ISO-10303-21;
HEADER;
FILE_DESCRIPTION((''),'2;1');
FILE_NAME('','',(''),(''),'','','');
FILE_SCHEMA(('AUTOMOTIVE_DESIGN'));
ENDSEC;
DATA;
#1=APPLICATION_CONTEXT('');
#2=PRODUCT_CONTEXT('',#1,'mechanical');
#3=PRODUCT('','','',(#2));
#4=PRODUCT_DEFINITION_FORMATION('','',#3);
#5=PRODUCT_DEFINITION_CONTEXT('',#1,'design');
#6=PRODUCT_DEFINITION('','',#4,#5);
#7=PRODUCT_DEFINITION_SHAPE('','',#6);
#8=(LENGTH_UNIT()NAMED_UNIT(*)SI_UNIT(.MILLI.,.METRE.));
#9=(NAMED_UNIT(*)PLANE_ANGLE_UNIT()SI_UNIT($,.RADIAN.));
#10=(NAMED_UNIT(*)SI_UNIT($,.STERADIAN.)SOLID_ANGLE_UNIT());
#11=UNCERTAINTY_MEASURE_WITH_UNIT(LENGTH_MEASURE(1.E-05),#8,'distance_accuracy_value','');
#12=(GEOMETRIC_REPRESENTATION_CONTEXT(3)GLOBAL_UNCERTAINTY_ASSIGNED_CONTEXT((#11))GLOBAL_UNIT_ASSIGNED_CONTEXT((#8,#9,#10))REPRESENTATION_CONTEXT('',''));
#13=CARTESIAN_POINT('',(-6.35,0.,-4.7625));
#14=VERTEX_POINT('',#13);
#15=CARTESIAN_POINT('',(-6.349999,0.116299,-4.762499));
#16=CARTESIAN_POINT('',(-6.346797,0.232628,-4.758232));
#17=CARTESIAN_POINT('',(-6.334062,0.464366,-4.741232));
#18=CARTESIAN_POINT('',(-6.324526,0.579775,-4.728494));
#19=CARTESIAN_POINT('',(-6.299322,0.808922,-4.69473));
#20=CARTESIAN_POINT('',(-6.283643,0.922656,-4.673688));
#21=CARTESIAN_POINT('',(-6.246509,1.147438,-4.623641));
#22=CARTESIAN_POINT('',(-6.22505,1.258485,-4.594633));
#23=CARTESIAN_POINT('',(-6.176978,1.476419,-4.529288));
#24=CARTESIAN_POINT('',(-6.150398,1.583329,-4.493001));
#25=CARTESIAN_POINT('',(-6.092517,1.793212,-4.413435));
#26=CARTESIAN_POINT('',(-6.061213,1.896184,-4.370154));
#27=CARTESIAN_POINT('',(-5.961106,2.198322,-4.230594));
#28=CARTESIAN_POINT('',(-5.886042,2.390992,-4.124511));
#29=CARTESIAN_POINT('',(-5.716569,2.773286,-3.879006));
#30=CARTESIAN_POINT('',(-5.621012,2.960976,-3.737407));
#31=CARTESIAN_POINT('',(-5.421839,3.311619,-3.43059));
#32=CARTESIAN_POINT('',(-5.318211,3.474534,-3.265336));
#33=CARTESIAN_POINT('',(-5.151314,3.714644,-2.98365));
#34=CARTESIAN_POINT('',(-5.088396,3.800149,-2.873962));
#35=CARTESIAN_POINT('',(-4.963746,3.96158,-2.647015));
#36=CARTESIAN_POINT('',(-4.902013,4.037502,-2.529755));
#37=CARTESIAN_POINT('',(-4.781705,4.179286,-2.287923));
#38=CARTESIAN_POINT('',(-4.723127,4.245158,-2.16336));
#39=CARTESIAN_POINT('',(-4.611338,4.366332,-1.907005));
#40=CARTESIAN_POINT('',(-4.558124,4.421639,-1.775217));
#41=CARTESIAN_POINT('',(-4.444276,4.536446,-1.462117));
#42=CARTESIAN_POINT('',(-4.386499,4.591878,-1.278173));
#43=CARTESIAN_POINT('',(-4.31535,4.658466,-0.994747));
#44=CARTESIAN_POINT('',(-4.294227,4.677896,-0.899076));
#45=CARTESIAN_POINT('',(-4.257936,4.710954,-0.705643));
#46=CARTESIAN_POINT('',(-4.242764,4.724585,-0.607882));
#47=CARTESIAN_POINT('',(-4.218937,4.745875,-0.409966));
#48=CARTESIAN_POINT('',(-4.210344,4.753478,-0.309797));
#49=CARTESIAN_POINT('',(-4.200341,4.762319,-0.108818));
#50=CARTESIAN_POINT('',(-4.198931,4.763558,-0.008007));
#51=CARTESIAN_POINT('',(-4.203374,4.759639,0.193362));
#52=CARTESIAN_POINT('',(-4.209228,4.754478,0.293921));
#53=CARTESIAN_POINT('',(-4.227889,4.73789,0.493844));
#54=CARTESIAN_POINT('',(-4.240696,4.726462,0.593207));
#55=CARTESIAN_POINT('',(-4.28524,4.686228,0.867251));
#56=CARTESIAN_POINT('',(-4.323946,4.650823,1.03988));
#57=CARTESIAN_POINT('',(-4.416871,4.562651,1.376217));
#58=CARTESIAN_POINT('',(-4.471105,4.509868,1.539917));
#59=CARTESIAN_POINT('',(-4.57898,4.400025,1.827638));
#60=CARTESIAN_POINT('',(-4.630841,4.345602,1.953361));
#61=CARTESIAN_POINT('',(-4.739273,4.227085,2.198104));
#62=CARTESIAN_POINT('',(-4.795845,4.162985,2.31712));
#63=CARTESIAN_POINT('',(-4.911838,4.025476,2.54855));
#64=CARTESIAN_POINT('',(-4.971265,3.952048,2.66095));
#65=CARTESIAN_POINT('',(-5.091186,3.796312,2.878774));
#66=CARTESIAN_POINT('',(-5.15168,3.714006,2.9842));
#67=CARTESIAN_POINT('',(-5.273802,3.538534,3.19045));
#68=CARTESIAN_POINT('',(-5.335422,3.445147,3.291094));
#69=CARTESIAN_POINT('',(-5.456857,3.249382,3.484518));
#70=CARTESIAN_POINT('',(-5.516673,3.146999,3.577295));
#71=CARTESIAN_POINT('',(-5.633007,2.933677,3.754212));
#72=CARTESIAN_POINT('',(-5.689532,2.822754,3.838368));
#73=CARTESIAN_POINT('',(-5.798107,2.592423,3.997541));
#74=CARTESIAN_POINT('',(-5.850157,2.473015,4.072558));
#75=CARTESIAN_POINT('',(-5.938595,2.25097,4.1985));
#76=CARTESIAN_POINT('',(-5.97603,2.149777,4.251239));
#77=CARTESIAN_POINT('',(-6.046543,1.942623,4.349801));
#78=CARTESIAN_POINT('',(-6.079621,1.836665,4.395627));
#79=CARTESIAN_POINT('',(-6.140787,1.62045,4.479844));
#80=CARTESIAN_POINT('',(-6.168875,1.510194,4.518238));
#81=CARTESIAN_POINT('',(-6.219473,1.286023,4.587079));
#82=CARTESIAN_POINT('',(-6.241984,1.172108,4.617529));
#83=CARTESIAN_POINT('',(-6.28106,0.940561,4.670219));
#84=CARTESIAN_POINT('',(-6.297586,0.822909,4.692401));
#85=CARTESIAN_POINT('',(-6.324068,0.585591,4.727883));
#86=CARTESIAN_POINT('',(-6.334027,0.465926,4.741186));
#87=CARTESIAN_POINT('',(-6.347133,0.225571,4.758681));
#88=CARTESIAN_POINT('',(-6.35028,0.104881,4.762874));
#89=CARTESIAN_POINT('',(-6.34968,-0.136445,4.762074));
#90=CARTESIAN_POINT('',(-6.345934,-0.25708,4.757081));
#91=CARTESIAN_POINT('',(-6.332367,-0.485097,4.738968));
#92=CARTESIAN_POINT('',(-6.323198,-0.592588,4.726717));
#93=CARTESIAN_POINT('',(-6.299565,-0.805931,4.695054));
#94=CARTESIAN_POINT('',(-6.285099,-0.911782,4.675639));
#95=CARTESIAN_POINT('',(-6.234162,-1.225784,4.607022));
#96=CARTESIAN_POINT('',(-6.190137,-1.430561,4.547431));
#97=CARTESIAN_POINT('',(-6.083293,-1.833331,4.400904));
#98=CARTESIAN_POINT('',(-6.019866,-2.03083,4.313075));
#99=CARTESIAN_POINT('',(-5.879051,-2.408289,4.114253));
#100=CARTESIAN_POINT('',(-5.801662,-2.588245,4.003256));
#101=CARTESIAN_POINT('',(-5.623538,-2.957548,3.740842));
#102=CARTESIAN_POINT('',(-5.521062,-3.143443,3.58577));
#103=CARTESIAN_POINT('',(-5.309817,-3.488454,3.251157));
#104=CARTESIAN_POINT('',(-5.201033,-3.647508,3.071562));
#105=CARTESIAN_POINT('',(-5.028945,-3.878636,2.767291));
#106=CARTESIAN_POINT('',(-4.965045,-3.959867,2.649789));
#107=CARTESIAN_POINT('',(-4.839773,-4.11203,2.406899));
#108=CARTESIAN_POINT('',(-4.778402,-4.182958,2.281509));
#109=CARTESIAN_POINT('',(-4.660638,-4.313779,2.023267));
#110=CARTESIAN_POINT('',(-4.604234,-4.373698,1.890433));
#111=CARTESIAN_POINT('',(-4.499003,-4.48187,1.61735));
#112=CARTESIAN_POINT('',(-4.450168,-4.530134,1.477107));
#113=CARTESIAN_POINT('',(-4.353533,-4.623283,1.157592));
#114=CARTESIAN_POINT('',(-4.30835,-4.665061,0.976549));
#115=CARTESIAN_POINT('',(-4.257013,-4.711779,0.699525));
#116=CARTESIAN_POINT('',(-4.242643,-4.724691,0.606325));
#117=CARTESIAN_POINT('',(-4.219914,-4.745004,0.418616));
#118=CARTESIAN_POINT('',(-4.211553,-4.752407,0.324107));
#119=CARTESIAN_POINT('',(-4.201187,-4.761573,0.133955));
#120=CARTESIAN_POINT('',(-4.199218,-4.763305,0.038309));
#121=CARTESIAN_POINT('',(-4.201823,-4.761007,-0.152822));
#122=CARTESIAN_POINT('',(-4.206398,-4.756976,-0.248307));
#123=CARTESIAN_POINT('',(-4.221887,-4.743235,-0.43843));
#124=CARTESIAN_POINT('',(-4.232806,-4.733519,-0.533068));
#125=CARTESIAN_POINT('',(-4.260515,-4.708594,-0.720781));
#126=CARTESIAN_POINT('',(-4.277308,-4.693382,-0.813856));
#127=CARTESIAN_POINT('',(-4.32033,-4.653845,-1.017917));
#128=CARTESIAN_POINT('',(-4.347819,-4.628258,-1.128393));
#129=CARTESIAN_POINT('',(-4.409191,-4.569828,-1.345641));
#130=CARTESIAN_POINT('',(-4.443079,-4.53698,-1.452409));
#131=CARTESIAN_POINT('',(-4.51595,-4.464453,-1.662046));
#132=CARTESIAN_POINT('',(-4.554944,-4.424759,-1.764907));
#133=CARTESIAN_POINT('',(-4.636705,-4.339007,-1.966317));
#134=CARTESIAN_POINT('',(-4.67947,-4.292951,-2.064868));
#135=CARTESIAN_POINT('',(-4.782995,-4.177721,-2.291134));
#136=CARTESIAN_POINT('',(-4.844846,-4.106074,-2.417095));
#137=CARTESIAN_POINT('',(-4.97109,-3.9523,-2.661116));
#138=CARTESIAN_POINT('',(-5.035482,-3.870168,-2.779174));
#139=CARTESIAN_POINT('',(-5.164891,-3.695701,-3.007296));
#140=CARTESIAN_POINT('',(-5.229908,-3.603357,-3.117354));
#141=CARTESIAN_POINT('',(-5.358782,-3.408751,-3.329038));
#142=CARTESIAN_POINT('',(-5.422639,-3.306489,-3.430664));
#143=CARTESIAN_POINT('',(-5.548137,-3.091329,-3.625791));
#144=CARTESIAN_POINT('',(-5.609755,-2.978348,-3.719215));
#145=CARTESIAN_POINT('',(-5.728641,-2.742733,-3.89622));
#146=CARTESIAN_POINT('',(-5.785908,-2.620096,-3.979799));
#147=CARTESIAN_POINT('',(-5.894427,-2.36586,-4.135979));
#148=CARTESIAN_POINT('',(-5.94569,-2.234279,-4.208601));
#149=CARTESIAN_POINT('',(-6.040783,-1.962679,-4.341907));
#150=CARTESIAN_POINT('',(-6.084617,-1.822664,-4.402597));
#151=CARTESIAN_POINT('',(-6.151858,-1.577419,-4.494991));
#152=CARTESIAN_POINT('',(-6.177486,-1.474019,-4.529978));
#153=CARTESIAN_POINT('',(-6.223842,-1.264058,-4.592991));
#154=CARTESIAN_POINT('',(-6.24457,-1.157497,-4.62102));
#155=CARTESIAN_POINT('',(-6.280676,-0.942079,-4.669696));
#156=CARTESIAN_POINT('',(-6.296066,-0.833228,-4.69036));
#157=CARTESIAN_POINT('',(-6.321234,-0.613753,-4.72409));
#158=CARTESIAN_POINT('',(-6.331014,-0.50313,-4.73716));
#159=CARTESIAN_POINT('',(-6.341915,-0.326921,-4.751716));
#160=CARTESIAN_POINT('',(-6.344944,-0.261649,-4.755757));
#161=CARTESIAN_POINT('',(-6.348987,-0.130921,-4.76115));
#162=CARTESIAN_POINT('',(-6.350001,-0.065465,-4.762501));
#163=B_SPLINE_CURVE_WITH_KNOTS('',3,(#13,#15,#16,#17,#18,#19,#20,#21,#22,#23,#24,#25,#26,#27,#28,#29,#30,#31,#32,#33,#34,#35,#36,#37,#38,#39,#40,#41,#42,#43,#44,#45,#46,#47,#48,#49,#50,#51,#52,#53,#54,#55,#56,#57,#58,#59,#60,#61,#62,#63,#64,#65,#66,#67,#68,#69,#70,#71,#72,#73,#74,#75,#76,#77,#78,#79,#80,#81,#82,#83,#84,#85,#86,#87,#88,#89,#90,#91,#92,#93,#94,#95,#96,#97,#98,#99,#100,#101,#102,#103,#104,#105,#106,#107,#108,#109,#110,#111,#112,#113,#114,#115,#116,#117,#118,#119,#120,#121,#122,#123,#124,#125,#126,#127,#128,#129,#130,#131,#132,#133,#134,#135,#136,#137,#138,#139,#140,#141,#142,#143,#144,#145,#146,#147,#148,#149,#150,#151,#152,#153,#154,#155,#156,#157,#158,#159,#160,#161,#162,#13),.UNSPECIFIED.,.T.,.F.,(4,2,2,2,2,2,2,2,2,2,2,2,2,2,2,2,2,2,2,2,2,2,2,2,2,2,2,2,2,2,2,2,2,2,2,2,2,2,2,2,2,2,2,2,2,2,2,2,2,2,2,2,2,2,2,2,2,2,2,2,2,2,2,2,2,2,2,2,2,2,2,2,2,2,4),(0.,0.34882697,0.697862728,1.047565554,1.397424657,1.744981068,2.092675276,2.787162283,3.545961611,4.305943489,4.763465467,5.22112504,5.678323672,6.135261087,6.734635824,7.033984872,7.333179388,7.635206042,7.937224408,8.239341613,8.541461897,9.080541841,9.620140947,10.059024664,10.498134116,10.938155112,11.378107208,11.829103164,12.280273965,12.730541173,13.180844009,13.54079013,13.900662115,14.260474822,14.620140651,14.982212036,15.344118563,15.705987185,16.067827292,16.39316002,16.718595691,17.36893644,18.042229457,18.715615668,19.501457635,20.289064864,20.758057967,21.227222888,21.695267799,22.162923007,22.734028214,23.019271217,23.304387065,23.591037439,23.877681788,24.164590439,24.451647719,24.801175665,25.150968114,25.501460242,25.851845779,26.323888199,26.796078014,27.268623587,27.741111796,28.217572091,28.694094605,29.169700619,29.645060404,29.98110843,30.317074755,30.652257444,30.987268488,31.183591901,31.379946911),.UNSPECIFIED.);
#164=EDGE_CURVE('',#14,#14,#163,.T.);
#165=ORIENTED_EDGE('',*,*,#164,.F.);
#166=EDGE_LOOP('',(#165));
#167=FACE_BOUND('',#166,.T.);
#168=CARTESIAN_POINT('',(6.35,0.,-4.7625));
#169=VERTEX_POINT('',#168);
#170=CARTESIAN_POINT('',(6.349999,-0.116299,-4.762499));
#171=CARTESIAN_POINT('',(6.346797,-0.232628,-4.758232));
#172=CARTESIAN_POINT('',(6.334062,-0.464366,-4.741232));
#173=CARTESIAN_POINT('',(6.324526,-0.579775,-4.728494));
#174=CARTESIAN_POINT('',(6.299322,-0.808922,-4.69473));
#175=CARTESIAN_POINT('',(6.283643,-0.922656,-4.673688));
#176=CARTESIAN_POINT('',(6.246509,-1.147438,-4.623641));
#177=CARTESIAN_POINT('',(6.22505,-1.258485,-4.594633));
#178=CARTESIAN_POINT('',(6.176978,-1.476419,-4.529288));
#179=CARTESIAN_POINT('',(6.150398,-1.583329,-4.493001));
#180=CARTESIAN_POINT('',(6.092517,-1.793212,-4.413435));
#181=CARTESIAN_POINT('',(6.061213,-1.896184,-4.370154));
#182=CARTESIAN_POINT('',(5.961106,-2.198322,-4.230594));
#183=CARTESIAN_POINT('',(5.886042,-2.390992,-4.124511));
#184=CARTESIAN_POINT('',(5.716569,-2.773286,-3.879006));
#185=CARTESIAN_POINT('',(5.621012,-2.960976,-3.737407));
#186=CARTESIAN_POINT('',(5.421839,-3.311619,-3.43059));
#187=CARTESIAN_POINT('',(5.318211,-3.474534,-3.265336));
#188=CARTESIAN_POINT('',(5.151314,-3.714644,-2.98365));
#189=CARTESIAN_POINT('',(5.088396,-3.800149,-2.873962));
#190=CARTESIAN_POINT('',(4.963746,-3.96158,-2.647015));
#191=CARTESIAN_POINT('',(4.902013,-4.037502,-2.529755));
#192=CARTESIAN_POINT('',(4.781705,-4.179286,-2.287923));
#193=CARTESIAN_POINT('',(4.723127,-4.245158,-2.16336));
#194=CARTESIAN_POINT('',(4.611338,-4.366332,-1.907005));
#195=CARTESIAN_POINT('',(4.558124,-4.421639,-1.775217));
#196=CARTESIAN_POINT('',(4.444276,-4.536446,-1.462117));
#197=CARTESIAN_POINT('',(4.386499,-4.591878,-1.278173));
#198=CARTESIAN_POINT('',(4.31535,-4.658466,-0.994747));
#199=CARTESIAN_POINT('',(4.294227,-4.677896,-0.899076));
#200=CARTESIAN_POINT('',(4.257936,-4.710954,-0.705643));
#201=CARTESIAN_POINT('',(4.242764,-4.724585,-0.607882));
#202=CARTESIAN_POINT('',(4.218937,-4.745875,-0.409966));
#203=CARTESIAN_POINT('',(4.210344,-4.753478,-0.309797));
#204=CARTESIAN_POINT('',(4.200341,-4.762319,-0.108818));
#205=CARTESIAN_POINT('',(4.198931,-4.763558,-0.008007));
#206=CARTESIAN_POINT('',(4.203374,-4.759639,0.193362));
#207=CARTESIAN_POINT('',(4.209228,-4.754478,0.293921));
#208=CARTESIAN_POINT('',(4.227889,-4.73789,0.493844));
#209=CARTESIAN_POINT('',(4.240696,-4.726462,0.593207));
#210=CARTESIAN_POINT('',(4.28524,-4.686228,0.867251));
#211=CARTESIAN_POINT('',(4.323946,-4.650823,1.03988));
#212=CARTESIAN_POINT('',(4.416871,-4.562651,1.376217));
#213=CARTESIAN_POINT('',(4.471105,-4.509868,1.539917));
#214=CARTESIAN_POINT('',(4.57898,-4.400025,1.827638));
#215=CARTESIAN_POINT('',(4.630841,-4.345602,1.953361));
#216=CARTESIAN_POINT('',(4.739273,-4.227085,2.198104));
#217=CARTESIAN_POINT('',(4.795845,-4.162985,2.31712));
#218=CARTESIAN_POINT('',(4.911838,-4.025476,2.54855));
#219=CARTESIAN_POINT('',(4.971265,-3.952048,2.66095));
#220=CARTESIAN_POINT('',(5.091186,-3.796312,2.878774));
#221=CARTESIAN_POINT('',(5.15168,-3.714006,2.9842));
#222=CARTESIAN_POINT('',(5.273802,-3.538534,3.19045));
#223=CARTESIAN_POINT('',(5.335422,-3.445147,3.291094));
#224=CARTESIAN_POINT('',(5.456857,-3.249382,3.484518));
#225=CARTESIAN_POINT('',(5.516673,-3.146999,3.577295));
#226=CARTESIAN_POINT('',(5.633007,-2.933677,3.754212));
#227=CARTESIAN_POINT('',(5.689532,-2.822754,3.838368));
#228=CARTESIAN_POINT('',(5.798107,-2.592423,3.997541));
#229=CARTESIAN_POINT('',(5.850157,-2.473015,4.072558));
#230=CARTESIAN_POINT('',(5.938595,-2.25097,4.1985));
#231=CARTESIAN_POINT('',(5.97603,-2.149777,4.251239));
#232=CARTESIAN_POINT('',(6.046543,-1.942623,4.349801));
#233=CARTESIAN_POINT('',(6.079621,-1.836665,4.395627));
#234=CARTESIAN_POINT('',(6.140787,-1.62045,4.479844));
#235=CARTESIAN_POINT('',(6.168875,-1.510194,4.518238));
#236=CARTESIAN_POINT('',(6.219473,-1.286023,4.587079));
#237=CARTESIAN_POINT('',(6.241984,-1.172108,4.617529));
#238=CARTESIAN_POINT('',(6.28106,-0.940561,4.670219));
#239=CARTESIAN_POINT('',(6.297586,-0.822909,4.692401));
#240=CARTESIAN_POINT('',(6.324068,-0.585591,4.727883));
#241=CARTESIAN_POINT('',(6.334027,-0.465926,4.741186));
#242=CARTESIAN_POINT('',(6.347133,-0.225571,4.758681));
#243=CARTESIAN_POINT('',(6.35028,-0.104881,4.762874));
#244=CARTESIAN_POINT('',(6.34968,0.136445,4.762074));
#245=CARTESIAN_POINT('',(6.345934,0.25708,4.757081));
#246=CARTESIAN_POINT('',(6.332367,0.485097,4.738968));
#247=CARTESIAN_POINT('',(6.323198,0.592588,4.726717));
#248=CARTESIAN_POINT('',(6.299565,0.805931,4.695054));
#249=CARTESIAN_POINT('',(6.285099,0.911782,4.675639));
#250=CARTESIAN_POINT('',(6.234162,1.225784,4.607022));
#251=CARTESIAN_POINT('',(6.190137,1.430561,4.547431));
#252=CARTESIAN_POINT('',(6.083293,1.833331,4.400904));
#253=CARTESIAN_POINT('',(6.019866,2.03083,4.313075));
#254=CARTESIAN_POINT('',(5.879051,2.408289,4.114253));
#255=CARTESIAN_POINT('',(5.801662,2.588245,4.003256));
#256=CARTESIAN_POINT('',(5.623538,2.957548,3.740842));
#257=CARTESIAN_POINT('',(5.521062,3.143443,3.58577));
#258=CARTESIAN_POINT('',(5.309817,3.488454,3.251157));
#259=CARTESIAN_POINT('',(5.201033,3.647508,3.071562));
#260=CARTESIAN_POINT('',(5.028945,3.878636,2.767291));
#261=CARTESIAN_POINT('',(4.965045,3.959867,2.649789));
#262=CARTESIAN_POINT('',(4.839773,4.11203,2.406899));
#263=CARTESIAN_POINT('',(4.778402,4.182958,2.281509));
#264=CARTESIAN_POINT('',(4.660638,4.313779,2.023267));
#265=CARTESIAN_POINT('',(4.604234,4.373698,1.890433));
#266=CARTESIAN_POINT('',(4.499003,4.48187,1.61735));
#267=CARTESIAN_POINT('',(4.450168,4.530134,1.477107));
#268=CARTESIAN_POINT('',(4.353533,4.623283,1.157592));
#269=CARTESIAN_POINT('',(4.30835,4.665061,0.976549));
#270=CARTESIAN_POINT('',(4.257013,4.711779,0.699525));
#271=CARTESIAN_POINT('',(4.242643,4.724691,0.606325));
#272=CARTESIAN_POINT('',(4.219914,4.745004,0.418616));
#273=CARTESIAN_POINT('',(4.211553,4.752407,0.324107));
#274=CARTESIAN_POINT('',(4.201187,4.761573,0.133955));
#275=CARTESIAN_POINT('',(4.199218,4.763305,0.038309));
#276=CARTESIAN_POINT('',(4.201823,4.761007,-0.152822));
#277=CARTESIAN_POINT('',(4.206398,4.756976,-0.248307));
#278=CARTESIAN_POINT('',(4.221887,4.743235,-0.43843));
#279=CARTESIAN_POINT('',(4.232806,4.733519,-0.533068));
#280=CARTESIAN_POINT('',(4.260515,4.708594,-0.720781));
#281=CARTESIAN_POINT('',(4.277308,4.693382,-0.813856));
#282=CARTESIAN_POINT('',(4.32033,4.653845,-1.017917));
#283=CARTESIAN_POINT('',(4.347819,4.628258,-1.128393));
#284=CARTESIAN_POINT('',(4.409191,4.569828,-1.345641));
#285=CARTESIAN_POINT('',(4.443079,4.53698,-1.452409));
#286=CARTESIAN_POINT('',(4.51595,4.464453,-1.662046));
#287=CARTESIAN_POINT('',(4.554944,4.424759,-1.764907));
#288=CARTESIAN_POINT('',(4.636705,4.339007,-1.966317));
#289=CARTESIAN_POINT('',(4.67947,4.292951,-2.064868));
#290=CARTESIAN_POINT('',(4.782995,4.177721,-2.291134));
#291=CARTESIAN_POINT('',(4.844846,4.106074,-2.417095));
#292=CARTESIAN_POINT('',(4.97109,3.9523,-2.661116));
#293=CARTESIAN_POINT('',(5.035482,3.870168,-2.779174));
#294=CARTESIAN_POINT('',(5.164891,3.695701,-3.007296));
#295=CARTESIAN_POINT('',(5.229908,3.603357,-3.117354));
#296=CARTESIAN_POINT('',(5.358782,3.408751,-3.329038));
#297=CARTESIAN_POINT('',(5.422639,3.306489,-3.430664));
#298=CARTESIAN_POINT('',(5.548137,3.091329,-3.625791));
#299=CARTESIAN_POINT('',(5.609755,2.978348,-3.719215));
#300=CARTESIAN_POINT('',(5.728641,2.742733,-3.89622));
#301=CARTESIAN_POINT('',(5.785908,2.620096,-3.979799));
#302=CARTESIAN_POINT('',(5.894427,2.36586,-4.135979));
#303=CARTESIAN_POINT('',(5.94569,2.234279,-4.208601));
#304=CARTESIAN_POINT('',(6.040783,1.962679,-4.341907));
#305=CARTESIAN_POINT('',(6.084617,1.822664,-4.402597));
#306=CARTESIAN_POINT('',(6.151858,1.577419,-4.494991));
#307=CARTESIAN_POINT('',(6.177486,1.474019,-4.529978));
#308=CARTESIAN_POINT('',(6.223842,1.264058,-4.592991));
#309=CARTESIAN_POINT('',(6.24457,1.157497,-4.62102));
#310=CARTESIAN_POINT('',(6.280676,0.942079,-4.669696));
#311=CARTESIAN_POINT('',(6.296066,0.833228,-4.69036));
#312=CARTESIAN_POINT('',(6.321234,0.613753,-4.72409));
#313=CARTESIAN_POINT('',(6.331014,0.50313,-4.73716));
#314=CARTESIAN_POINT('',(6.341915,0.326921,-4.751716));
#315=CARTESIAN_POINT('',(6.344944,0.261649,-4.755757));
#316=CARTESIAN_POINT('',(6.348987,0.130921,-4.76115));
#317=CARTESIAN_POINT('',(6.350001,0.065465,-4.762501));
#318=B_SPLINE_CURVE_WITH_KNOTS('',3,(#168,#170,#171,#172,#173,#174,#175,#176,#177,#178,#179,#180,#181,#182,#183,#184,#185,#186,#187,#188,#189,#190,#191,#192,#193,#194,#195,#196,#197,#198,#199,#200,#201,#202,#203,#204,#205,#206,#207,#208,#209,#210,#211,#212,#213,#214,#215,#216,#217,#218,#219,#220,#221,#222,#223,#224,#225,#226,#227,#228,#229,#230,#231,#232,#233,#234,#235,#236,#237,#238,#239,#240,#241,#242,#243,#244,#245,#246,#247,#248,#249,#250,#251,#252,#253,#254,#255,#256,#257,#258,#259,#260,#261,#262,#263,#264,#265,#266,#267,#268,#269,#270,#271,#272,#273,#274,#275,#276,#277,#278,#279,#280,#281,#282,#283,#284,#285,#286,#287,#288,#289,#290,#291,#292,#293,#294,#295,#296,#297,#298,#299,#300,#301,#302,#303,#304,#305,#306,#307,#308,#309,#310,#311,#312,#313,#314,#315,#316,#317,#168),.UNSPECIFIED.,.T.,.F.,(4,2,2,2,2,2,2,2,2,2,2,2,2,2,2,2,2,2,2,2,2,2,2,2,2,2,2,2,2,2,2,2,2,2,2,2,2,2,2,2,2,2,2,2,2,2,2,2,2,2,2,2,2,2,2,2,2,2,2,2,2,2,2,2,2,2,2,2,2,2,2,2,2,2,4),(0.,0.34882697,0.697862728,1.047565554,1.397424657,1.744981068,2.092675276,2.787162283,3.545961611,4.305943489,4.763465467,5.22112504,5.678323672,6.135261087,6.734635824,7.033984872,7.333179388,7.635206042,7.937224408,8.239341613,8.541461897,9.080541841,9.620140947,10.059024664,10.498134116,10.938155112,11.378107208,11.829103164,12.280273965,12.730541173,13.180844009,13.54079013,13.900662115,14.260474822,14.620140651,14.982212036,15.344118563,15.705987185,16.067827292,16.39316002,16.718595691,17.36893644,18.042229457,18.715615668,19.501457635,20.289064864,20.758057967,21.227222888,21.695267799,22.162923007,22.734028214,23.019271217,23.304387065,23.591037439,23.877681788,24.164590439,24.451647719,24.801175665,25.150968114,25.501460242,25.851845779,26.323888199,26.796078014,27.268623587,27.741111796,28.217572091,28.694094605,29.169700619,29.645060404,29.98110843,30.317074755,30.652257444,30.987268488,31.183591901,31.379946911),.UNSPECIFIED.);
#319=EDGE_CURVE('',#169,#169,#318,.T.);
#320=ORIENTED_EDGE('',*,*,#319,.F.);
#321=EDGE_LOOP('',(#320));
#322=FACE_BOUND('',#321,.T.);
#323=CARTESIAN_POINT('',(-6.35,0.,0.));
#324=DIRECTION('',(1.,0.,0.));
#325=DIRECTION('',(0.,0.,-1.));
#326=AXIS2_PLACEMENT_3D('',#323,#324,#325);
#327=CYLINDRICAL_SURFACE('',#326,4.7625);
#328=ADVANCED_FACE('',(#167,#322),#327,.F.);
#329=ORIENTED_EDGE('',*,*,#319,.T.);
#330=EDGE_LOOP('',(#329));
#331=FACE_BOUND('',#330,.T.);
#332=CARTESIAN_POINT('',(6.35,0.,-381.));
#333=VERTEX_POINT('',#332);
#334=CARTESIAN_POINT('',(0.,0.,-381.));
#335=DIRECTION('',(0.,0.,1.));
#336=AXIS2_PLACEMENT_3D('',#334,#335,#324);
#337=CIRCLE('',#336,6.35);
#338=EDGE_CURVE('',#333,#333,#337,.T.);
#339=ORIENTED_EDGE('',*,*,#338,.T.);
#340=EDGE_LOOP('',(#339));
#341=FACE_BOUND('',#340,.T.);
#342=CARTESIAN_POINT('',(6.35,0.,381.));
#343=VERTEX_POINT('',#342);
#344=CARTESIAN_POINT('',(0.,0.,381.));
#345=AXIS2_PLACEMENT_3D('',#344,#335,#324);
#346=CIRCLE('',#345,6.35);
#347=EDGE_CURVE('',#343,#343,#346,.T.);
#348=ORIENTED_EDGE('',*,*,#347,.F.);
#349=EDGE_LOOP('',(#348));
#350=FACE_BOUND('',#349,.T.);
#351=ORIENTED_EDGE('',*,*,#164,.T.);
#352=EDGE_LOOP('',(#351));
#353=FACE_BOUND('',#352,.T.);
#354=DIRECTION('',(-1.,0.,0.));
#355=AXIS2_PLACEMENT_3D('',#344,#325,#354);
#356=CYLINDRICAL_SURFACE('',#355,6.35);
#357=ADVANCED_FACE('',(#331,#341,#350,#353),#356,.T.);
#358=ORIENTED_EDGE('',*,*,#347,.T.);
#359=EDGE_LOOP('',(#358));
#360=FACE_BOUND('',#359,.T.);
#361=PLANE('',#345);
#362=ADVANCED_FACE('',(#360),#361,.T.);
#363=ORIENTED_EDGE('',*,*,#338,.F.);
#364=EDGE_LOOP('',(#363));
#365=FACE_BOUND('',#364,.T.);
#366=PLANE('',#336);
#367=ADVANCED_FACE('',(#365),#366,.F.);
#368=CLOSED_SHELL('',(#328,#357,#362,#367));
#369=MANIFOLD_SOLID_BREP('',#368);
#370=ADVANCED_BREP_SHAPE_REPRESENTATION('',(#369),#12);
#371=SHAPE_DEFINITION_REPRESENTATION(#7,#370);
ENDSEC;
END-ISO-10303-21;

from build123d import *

# Parameters (mm, degrees)
SKETCH1_R               = 6.35
BOSS_EXTRUDE1_DEPTH     = 381
CUT_EXTRUDE1_DEPTH      = 382.105818638
CUT_EXTRUDE1_DEPTH_BACK = 382.105818638
SKETCH4_R               = 4.7625


with BuildPart() as part:
    # Sketch1 → Boss-Extrude1 (new, symmetric)
    with BuildSketch(Plane.XY):
        Circle(SKETCH1_R)
    extrude(amount=BOSS_EXTRUDE1_DEPTH, both=True)

    # Sketch4 → Cut-Extrude1 (cut, two sides: drawn at the far end of the back side and taken through both)
    with BuildSketch(Plane(origin=(0, 0, 0), x_dir=(0, 0, -1), z_dir=(1, 0, 0)).offset(-CUT_EXTRUDE1_DEPTH_BACK)):
        Circle(SKETCH4_R)
    extrude(amount=CUT_EXTRUDE1_DEPTH + CUT_EXTRUDE1_DEPTH_BACK, mode=Mode.SUBTRACT)


solid = part.part
